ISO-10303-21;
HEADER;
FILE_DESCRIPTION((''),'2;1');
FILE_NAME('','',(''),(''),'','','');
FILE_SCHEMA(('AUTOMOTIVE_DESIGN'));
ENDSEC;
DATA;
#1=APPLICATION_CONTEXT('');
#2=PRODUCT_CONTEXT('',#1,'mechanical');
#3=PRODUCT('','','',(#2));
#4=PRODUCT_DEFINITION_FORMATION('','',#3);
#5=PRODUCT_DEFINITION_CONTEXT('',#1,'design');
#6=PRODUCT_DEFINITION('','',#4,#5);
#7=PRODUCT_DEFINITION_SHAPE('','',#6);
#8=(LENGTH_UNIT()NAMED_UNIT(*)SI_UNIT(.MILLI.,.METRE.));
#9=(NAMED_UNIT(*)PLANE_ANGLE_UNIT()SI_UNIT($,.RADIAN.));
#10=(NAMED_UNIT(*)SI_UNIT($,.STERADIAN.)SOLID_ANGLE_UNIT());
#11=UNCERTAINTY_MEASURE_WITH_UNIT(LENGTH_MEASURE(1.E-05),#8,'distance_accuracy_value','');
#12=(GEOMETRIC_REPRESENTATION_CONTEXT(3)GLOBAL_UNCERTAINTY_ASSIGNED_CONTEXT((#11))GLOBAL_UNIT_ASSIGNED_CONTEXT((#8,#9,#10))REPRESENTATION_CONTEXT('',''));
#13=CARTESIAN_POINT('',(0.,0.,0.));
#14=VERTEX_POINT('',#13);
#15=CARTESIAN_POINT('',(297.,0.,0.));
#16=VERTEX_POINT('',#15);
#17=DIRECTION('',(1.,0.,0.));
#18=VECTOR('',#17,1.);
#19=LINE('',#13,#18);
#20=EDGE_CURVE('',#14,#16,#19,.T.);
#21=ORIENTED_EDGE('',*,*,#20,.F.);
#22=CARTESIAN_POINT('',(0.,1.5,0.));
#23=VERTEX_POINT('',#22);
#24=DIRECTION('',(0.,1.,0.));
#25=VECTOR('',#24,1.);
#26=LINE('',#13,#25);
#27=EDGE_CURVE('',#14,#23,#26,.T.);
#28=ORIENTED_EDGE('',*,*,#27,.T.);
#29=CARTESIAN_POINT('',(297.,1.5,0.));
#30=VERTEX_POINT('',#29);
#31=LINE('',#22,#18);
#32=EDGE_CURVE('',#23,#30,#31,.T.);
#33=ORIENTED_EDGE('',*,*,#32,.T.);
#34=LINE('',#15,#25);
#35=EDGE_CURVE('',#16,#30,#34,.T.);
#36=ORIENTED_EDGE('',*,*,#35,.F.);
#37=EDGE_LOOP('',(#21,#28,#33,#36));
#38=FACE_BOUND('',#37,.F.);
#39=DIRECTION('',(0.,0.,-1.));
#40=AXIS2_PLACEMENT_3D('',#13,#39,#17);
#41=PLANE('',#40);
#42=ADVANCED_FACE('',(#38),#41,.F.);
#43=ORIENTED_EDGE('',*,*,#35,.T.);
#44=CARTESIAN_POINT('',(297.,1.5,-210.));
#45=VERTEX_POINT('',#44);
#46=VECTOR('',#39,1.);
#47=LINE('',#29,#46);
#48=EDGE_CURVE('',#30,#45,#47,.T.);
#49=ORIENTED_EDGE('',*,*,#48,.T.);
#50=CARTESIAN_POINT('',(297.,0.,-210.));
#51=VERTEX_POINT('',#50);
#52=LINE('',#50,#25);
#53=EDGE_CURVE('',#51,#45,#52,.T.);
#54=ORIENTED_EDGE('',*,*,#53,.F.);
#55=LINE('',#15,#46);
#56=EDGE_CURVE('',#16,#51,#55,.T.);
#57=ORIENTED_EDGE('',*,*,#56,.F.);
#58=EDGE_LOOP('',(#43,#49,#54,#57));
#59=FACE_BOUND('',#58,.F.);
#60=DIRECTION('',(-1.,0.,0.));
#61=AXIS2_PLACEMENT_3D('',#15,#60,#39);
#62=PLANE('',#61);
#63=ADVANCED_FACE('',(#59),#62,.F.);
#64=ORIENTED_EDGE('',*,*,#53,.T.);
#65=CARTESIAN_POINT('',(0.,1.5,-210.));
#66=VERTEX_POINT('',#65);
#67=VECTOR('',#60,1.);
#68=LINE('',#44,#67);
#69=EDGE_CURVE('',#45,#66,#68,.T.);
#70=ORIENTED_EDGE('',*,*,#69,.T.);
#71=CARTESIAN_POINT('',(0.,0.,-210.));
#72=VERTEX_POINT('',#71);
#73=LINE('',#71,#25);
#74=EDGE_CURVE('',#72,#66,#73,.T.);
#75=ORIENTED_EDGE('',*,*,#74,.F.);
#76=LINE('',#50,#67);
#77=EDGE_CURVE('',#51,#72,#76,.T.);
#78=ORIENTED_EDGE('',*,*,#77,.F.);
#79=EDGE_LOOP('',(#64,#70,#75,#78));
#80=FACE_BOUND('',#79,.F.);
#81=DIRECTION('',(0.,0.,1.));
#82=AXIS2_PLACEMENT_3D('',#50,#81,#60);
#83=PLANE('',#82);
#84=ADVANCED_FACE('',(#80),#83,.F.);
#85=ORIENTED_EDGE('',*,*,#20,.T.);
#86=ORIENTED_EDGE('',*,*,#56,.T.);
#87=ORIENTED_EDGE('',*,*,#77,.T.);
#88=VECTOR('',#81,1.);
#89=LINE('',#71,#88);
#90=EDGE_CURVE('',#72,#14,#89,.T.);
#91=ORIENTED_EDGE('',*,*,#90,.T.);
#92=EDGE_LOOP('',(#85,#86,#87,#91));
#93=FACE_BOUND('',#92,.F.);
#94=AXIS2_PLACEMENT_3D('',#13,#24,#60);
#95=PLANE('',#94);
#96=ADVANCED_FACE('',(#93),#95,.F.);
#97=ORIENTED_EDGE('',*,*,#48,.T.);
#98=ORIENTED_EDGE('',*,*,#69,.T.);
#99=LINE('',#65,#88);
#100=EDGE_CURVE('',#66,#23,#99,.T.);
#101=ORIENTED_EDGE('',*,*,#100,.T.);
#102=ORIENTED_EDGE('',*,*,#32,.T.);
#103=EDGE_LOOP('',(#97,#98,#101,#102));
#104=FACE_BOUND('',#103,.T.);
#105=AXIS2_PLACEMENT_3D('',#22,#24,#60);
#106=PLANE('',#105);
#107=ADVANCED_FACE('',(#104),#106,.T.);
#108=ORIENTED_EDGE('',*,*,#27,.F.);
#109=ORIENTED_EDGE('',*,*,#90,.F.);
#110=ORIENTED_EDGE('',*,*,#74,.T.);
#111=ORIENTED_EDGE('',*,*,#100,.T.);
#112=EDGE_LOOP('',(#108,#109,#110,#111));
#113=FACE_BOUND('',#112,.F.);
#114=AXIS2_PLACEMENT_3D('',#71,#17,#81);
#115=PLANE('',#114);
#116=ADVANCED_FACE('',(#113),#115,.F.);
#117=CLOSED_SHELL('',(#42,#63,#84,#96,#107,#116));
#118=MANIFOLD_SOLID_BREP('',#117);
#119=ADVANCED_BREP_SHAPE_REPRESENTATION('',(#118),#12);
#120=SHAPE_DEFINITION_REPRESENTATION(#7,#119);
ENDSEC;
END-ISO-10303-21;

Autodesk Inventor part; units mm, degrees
ref_plane "YZ Plane" through (0, 0, 0) normal (1, 0, 0) x (0, 1, 0)
ref_plane "XZ Plane" through (0, 0, 0) normal (0, 1, 0) x (-1, 0, 0)
ref_plane "XY Plane" through (0, 0, 0) normal (0, 0, 1) x (1, 0, 0)
sketch "Sketch1" plane through (0, 0, 0) normal (0, 1, 0) x (-1, 0, 0)
  line L0 (0, 0) -> (-297, 0)
  line L1 (-297, 0) -> (-297, -210)
  line L2 (-297, -210) -> (0, -210)
  line L3 (0, -210) -> (0, 0)
  dimension "d0" = 297
  dimension "d1" = 210
extrude "Extrusion1" add sketch "Sketch1" along normal blind 1.5
properties part number "Laminat297x210"
